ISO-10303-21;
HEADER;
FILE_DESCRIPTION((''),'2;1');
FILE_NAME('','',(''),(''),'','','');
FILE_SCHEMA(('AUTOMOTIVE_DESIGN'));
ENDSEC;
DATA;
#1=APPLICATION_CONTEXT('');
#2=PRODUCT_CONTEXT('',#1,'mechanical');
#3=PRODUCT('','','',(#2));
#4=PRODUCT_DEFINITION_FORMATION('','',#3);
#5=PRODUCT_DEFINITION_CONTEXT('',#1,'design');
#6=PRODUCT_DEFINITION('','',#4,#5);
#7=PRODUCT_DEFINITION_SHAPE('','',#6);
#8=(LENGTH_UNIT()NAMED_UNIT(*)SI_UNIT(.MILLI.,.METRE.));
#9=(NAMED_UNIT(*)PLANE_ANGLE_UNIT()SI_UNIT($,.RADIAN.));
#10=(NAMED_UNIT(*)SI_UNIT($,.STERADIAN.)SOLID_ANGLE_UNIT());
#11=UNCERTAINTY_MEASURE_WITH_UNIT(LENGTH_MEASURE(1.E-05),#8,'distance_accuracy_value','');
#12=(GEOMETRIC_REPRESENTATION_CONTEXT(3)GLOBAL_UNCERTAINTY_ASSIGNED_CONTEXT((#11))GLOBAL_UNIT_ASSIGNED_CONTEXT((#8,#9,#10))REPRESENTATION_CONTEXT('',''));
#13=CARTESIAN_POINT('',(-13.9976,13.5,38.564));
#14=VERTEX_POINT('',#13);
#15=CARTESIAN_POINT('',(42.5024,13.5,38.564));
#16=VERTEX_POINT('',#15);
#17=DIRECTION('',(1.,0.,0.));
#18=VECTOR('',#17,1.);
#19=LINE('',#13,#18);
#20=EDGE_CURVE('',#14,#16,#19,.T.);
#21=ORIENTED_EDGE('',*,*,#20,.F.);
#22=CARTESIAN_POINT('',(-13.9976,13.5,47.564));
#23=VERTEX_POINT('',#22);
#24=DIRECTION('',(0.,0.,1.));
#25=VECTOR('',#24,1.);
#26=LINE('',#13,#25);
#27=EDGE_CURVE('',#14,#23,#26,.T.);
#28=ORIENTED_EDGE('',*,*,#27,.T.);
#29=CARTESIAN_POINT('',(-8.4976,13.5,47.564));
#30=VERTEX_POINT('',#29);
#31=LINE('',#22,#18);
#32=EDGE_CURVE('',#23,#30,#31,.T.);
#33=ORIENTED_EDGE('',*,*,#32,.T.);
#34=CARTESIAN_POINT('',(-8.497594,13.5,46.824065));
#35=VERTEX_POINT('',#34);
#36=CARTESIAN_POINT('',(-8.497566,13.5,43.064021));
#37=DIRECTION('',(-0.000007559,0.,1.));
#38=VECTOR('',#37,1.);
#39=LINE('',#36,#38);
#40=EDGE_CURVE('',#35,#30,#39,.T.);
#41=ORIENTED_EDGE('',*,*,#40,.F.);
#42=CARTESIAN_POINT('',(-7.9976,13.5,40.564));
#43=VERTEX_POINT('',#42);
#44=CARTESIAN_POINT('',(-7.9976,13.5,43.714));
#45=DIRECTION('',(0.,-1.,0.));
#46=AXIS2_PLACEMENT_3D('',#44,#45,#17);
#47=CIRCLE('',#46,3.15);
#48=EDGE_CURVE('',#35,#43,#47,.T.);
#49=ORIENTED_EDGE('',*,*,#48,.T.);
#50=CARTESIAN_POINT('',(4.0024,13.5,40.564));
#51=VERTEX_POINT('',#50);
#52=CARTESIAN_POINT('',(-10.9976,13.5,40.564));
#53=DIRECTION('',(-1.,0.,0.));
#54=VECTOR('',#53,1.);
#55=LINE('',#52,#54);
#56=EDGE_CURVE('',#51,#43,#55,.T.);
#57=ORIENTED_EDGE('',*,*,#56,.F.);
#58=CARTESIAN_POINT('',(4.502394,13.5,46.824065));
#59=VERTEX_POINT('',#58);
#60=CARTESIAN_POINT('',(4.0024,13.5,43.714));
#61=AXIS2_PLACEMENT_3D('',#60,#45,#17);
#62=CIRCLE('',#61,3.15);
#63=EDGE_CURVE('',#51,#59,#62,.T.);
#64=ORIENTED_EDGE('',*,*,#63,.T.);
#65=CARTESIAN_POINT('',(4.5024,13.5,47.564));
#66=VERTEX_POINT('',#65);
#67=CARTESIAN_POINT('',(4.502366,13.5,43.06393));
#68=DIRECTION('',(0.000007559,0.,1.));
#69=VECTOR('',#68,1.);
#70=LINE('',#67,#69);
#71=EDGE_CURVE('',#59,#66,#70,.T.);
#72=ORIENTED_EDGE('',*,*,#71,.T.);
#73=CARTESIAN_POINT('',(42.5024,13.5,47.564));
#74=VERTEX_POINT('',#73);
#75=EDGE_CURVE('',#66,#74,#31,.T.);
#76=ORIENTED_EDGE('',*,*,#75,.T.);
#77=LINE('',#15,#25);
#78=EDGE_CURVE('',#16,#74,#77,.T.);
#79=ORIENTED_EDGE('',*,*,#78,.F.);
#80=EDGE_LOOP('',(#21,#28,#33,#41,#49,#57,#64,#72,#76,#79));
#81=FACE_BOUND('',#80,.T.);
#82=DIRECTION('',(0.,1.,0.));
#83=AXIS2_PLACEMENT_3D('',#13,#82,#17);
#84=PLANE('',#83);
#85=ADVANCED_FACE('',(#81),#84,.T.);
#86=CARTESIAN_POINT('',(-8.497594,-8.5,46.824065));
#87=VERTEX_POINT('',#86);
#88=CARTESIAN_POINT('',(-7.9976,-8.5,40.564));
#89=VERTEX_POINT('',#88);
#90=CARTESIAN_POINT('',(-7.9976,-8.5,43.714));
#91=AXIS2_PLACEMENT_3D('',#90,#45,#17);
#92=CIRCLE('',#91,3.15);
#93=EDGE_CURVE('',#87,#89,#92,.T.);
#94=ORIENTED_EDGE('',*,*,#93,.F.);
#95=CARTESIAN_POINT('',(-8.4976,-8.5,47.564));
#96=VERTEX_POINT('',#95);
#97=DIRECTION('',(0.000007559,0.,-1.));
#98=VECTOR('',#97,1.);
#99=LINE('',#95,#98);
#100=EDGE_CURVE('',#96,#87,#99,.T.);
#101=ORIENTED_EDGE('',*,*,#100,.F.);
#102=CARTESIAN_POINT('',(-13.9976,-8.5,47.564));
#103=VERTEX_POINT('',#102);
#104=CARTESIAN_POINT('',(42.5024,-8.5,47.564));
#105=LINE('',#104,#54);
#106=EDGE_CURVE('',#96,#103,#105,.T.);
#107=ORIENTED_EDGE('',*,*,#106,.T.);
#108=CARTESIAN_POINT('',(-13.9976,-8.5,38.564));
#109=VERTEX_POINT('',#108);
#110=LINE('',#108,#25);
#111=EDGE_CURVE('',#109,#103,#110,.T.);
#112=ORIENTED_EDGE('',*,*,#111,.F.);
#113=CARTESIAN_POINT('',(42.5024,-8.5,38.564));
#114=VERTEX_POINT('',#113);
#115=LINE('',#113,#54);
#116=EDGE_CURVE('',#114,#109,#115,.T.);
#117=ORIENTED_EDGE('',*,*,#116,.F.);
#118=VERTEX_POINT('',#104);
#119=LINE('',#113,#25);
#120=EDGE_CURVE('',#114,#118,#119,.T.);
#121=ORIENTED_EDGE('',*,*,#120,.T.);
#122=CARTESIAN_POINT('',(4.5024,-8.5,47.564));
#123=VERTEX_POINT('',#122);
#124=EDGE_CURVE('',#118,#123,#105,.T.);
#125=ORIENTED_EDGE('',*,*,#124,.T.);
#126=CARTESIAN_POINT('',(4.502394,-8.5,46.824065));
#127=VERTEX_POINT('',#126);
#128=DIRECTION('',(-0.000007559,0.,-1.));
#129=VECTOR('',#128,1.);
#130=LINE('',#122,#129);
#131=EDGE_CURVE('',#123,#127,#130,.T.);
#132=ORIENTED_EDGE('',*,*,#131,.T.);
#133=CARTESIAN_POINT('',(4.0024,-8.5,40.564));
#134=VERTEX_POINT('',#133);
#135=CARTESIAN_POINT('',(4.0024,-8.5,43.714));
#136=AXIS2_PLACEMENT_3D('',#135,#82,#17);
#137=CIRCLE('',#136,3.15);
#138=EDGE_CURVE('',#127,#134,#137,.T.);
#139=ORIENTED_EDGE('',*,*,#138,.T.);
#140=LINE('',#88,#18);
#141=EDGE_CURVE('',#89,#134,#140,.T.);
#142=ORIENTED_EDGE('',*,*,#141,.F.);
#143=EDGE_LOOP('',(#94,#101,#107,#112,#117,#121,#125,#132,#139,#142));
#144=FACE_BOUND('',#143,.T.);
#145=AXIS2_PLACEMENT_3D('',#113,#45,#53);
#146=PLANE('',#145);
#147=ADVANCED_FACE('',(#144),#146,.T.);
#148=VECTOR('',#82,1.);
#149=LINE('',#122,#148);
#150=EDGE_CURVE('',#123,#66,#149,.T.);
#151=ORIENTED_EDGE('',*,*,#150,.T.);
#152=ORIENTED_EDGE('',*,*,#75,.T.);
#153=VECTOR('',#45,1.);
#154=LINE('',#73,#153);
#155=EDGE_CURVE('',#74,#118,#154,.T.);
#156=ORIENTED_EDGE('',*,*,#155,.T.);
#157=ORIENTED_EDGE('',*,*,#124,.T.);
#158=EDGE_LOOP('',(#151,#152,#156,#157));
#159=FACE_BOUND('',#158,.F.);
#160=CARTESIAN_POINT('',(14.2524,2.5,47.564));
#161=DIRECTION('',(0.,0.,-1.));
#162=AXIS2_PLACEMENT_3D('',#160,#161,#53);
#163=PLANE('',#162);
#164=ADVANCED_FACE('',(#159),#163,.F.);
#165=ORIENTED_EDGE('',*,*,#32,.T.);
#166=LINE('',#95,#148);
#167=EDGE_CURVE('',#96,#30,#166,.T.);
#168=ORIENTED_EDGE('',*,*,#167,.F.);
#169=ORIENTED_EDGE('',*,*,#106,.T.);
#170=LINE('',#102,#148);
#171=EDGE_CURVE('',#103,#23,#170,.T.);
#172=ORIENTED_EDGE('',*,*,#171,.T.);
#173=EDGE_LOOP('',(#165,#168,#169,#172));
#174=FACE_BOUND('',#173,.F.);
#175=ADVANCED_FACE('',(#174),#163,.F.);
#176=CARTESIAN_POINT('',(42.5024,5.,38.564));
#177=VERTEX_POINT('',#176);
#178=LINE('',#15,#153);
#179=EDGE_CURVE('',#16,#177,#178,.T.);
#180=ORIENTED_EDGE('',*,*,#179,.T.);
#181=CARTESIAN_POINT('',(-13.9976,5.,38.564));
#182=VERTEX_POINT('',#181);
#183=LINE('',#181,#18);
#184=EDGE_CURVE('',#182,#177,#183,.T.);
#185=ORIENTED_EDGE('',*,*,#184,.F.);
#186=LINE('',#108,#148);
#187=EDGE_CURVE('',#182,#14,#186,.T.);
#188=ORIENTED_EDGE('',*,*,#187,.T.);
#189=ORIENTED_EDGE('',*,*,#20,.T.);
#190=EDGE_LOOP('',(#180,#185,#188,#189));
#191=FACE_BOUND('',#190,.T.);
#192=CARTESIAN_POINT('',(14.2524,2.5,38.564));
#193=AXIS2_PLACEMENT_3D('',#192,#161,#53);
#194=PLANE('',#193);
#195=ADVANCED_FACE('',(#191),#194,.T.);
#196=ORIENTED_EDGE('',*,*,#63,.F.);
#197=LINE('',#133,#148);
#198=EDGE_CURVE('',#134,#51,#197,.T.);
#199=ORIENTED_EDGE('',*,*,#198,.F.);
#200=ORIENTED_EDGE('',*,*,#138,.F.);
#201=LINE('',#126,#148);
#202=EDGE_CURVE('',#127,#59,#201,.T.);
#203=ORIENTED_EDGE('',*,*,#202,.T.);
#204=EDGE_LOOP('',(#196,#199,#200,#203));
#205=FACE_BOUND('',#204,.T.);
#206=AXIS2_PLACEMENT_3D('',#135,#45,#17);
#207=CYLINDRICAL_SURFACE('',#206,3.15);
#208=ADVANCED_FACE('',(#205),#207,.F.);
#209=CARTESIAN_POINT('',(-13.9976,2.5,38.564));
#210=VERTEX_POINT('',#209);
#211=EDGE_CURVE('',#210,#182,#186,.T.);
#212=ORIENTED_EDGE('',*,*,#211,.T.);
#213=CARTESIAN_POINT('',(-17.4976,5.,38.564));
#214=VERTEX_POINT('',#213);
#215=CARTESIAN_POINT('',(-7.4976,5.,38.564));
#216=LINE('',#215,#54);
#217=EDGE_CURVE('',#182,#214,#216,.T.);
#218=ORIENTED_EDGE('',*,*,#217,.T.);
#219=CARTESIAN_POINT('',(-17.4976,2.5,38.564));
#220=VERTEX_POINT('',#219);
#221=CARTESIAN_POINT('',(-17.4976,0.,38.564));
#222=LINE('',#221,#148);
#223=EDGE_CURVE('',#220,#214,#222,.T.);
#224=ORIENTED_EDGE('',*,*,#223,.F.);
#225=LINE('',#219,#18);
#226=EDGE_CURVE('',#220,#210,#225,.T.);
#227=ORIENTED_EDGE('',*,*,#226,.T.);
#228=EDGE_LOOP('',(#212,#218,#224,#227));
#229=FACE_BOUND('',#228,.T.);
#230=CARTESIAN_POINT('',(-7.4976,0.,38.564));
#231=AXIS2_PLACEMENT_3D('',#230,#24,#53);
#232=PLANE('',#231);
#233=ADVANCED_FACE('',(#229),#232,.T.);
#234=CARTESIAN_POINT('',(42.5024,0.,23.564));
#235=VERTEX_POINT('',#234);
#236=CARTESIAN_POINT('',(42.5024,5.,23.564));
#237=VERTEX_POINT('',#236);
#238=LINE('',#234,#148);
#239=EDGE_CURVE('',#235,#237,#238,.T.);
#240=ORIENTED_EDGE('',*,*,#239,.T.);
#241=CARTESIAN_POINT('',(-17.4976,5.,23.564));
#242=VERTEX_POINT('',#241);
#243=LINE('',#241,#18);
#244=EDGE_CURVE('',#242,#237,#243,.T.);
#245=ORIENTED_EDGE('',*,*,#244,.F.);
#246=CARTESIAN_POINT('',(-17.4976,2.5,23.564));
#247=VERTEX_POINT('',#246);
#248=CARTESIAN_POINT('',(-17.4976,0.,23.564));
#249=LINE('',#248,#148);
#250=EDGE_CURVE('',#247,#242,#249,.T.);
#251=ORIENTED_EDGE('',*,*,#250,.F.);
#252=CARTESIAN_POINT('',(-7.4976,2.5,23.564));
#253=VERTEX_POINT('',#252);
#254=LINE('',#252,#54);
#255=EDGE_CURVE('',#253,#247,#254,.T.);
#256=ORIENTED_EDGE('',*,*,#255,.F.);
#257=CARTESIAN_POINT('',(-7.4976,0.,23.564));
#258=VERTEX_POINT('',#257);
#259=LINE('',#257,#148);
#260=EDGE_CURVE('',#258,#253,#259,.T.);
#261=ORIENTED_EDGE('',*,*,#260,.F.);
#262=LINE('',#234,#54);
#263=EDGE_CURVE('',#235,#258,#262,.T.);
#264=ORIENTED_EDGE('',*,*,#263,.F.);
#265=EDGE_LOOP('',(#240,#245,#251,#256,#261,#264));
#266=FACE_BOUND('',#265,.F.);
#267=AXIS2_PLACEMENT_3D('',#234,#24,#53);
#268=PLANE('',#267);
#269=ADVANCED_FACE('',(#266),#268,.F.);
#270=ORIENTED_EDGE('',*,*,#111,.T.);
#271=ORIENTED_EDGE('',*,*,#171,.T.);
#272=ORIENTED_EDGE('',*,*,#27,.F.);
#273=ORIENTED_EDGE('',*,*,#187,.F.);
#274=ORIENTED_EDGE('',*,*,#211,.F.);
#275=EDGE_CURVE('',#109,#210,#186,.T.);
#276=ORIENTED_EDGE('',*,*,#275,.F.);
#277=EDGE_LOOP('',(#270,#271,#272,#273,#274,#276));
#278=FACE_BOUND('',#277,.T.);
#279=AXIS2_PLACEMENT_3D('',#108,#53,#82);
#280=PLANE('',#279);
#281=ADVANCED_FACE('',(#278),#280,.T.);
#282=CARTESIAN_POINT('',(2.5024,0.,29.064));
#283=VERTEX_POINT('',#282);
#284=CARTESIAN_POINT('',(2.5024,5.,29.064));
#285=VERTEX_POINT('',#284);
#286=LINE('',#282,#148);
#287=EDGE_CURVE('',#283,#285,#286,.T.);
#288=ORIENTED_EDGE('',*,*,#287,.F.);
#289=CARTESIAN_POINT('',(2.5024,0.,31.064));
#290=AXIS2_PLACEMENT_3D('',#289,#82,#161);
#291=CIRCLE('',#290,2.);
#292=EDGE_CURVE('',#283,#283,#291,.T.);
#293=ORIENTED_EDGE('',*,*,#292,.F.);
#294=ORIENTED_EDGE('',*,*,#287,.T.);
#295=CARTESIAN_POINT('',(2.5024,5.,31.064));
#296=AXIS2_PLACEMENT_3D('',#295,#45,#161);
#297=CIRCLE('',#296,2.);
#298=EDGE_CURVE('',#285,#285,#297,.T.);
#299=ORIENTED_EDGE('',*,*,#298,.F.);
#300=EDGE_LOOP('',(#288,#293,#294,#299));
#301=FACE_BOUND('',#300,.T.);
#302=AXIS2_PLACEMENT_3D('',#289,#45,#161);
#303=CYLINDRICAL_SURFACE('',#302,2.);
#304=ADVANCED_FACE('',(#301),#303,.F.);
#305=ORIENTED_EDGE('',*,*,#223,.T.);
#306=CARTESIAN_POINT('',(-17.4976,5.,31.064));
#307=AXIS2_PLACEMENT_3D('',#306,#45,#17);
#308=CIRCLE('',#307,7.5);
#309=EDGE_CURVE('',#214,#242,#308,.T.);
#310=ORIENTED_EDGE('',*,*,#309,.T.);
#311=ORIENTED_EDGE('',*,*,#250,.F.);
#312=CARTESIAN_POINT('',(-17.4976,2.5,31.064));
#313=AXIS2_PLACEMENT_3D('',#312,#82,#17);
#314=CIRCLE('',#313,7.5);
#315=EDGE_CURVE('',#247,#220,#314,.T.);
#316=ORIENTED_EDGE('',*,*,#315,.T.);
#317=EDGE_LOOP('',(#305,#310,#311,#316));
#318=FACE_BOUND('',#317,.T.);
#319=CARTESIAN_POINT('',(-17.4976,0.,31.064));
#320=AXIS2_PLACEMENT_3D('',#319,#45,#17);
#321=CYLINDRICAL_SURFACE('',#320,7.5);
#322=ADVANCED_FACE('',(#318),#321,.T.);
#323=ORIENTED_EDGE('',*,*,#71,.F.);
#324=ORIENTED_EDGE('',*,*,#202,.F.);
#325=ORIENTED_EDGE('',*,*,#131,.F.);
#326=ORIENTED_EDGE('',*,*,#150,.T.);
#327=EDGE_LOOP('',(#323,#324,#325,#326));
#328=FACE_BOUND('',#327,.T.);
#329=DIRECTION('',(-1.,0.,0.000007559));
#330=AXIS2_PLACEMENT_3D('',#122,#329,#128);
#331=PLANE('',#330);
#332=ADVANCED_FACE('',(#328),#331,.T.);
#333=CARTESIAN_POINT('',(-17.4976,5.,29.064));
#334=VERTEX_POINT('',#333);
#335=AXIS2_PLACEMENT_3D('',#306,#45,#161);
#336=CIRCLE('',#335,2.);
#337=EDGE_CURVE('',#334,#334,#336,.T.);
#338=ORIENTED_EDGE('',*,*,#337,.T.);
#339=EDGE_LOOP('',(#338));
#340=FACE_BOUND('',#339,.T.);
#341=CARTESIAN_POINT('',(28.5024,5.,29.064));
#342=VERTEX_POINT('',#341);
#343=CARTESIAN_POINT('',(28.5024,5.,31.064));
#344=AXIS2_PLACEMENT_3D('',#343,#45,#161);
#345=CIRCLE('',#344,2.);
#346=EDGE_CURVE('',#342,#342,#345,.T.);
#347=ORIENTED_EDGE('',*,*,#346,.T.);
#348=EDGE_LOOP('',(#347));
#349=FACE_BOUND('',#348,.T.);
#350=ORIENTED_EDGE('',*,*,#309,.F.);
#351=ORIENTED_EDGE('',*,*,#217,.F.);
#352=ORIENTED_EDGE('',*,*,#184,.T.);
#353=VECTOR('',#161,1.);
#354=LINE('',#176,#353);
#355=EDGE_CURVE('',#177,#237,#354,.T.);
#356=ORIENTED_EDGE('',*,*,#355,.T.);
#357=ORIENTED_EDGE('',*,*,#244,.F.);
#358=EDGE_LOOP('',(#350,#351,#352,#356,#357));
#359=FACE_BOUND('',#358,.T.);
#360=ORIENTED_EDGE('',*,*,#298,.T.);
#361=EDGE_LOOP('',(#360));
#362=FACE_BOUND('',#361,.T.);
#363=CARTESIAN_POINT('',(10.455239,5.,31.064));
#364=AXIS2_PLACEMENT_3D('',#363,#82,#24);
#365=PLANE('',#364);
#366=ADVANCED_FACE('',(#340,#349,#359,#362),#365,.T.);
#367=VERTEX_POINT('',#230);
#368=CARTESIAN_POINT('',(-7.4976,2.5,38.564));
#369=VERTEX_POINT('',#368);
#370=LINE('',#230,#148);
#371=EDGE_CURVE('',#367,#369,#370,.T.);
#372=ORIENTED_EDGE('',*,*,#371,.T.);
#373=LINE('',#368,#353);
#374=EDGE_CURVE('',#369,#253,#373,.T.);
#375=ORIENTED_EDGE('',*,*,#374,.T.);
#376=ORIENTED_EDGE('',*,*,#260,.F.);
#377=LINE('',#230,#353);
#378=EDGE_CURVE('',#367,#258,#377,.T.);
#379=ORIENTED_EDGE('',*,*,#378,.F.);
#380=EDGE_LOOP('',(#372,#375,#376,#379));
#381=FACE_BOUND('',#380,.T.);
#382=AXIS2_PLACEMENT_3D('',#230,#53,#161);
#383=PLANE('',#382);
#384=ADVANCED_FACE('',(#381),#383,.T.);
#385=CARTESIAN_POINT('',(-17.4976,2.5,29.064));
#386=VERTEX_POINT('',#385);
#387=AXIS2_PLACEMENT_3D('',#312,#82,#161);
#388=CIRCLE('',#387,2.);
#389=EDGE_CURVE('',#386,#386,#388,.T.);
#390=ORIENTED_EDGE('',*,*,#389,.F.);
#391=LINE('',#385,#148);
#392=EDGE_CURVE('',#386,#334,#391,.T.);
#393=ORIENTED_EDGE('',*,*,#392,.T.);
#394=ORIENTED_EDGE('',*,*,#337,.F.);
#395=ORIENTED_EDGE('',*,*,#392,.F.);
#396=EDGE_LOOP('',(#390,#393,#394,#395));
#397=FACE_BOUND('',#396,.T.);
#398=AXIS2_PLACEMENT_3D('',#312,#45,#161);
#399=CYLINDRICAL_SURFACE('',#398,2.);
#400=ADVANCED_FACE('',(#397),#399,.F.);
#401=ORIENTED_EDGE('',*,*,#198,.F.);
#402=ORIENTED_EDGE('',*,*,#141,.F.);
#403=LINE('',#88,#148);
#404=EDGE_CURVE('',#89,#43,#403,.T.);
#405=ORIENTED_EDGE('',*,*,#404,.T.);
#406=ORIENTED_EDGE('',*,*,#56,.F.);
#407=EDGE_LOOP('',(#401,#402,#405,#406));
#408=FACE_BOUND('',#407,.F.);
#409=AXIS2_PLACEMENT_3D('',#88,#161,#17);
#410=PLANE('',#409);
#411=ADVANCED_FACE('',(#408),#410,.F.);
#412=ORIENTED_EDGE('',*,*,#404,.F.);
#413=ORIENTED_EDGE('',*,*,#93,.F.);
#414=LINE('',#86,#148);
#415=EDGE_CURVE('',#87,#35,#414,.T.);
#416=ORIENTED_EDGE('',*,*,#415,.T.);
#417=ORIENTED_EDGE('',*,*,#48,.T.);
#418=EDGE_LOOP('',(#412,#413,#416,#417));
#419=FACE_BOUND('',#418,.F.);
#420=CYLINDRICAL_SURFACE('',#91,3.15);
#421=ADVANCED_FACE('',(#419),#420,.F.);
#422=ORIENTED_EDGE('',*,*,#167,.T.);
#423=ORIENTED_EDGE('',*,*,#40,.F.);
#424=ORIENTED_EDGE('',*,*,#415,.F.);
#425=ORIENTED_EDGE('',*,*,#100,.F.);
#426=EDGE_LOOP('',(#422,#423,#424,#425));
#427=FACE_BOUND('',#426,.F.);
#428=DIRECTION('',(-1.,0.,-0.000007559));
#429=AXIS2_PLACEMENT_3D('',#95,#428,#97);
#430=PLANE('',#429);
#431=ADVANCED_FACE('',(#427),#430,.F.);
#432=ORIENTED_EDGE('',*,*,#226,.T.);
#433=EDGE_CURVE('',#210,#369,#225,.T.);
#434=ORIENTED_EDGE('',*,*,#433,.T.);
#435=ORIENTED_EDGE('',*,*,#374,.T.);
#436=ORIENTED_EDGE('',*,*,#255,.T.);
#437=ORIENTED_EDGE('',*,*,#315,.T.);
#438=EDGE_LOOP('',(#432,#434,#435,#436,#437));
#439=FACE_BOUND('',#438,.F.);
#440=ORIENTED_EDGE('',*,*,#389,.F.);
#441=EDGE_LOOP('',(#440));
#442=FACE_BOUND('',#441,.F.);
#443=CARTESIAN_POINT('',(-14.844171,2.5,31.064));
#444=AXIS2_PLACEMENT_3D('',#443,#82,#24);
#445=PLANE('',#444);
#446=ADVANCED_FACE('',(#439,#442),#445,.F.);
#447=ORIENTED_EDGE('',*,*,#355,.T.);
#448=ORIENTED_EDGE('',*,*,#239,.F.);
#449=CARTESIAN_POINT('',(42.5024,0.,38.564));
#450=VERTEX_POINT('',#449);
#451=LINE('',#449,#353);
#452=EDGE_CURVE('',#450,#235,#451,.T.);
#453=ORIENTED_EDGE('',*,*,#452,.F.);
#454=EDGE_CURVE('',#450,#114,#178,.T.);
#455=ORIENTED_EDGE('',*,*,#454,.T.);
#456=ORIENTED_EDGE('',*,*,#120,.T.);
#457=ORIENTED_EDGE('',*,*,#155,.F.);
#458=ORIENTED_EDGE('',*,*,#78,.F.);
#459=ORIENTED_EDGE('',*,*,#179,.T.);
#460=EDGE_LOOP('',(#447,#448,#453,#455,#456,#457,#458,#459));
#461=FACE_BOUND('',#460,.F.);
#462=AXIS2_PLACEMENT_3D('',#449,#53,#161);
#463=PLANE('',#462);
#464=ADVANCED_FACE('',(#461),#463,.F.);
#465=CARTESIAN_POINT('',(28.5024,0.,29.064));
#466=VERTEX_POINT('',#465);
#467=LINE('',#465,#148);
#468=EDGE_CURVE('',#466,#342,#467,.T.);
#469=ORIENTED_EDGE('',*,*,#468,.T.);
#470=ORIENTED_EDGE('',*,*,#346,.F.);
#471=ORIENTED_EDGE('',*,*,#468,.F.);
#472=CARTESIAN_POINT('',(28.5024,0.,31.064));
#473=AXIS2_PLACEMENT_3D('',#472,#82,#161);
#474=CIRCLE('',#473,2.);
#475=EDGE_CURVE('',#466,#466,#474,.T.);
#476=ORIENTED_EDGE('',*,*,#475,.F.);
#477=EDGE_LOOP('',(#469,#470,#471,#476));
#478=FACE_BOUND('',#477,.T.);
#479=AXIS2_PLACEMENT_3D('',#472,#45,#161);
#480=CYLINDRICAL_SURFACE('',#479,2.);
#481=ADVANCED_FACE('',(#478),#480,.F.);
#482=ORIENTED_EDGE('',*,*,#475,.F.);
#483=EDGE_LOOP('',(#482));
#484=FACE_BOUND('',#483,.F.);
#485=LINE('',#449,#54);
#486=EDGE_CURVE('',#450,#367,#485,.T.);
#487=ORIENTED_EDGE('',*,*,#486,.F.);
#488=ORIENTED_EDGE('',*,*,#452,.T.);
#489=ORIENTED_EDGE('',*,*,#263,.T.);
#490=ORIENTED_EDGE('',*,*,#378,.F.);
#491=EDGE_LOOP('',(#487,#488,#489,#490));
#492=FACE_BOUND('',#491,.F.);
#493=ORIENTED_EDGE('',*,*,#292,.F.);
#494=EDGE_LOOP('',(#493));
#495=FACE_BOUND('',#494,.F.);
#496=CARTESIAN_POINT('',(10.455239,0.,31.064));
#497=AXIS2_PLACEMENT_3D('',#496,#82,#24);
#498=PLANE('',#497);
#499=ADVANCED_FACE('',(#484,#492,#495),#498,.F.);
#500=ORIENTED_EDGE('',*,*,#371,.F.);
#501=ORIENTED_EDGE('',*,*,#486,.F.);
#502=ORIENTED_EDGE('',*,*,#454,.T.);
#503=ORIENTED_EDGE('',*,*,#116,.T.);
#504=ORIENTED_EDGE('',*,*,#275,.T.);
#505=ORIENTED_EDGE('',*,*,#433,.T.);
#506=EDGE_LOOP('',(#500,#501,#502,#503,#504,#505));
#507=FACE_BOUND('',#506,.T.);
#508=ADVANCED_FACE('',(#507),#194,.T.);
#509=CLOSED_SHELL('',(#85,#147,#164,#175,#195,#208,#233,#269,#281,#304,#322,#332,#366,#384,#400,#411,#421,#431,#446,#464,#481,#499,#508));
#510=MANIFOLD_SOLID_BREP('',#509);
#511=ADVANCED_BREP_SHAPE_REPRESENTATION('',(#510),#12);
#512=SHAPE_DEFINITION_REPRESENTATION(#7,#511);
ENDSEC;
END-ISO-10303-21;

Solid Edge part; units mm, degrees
sketch "Sketch1" plane through (0, 0, 0) normal (0, -1, 0) x (1, 0, 0)
  line L0 (-7.4976, 38.564) -> (42.5024, 38.564)
  line L1 (42.5024, 38.564) -> (42.5024, 23.564)
  line L2 (42.5024, 23.564) -> (-7.4976, 23.564)
  line L3 (-7.4976, 23.564) -> (-17.4976, 23.564)
  arc A0 (-17.4976, 38.564) -> (-17.4976, 23.564) centre (-17.4976, 31.064) ccw
  line L4 (-7.4976, 38.564) -> (-17.4976, 38.564)
  dimension "D1" = 50
  dimension "D2" = 15
extrude "Protrusion1" add sketch "Sketch1" against normal blind 5
sketch "Sketch2" plane through (17.5024, 2.5, 38.564) normal (0, 0, 1) x (1, 0, 0)
  line L0 (-31.5, 11) -> (25, 11)
  line L1 (25, 11) -> (25, -11)
  line L2 (25, -11) -> (-31.5, -11)
  line L3 (-31.5, -11) -> (-31.5, 11)
  dimension "D1" = 8.5
  dimension "D2" = 8.5
  dimension "D3" = 22
  dimension "D4" = 56.5
extrude "Extrusionsausprägung_4" add sketch "Sketch2" along normal blind 9
hole "Bohrung_1" at (2.5024, 0, 31.064) direction (0, 1, 0) diameter 4 end through all
hole "Hole1" at (28.5024, 0, 31.064) direction (0, 1, 0) diameter 4 end through all
sketch "Sketch3" plane through (8.7524, 0, 31.064) normal (0, -1, 0) x (1, 0, 0)
  line L0 (-26.25, 7.5) -> (-16.25, 7.5)
  line L1 (-16.25, 7.5) -> (-16.25, -7.5)
  line L2 (-16.25, -7.5) -> (-26.25, -7.5)
  arc A0 (-26.25, -7.5) -> (-26.25, 7.5) centre (-26.25, 0) cw
extrude "Extrusionsausschnitt_1" cut sketch "Sketch3" against normal blind 2.5
hole "Bohrung_4" at (-17.4976, 2.5, 31.064) direction (0, 1, 0) diameter 4 end through all
sketch "Sketch4" plane through (17.5024, -8.5, 43.064) normal (0, -1, 0) x (1, 0, 0)
  line L0 (-26, 4.5) -> (-13, 4.5)
  line L1 (-13, 4.5) -> (-13, 3.7601)
  arc A0 (-13, 3.7601) -> (-13.5, -2.5) centre (-13.5, 0.65) cw
  line L2 (-25.5, -2.5) -> (-13.5, -2.5)
  arc A1 (-26, 3.7601) -> (-25.5, -2.5) centre (-25.5, 0.65) ccw
  line L3 (-26, 4.5) -> (-26, 3.7601)
  dimension "D1" = 3.15
  dimension "D2" = 3.15
  dimension "D3" = 12
  dimension "D4" = 13
  dimension "D5" = 0.5
  dimension "D6" = 6
  dimension "D7" = 7
  dimension "D8" = 0.7399
  dimension "D9" = 0.7399
extrude "Cutout1" cut sketch "Sketch4" against normal through all
